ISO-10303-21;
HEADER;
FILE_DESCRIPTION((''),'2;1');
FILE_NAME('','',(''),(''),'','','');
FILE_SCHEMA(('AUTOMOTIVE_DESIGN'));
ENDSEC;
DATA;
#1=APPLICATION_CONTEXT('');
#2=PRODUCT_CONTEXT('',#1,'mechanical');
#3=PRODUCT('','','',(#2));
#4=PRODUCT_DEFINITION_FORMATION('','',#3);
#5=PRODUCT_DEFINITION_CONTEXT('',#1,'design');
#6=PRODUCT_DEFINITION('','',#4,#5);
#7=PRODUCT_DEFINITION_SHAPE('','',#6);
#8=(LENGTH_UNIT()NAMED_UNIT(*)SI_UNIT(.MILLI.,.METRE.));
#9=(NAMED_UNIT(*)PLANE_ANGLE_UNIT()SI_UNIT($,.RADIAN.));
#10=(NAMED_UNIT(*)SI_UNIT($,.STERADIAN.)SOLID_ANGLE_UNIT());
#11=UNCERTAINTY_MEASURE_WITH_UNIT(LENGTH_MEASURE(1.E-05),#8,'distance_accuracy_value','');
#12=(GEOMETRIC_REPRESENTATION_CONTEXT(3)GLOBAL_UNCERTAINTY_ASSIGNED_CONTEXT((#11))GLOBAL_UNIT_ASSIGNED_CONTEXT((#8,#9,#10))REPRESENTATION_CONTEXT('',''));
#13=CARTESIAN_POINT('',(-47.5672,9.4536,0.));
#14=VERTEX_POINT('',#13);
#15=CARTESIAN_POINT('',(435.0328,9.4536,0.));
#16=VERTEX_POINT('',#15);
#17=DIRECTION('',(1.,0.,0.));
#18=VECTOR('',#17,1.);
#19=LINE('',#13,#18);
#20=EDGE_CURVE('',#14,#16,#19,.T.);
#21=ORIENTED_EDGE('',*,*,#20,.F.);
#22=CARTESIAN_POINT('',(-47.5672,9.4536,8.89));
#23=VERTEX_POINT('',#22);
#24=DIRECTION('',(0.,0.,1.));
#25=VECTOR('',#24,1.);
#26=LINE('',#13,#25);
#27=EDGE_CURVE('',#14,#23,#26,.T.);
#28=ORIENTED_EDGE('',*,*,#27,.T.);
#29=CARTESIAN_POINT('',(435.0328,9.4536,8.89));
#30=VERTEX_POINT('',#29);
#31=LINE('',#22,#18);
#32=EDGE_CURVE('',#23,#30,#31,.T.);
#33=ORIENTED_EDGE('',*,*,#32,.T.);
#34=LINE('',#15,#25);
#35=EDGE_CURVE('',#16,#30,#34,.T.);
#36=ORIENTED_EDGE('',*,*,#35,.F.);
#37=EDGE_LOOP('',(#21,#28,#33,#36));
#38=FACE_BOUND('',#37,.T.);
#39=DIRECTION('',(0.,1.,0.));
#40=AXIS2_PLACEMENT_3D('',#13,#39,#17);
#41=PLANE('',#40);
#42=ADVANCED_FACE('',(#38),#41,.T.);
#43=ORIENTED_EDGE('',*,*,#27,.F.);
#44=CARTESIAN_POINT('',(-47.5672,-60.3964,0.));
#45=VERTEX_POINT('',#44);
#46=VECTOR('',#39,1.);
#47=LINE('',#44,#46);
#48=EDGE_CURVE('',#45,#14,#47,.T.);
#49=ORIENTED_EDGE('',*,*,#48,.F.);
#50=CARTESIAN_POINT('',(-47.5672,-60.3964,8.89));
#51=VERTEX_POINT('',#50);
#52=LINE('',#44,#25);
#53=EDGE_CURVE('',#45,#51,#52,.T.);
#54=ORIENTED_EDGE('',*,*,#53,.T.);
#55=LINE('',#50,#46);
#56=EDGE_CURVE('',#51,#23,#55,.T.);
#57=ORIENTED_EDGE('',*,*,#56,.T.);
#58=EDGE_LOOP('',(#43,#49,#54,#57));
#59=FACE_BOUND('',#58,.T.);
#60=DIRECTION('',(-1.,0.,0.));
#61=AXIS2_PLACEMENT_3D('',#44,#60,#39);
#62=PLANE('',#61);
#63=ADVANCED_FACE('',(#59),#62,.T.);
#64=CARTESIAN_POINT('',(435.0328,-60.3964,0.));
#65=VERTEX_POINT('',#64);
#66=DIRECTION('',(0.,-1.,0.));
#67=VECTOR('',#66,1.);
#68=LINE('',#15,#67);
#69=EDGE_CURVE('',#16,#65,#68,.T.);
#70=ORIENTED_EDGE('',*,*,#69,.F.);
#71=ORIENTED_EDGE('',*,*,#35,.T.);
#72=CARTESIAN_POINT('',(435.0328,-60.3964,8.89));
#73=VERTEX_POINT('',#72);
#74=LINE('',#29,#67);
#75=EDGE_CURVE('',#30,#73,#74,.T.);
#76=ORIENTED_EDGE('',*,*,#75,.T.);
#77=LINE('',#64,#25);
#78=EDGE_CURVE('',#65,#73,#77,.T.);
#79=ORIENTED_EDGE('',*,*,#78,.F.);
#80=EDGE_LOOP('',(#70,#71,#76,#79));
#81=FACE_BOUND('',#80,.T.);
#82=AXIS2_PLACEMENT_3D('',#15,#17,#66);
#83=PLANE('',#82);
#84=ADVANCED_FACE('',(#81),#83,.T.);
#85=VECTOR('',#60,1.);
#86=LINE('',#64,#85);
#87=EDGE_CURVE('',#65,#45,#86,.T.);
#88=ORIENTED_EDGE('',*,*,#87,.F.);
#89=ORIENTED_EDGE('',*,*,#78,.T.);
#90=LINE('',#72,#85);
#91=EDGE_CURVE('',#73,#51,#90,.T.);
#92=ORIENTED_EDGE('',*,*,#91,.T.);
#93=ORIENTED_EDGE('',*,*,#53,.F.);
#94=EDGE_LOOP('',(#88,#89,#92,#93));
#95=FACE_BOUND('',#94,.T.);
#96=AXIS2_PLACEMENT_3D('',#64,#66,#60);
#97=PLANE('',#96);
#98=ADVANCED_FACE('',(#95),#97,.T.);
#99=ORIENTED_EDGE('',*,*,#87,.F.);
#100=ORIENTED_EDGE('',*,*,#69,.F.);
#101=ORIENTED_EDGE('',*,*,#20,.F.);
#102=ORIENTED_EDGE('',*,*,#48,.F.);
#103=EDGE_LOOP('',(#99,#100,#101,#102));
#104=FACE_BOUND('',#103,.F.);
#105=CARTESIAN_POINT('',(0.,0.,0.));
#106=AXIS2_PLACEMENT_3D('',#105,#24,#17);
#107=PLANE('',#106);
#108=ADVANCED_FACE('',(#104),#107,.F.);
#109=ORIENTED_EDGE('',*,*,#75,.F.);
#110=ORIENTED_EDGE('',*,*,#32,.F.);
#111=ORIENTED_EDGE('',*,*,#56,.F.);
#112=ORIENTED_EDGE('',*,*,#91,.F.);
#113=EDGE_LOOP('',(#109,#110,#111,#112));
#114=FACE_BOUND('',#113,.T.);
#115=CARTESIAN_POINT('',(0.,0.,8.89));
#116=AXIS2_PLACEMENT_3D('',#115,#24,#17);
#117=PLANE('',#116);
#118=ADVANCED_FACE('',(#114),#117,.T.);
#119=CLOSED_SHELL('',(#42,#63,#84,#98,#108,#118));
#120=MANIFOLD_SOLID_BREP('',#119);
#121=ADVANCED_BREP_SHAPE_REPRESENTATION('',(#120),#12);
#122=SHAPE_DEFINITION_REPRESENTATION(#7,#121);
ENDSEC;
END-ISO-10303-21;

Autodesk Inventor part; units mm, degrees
ref_plane "YZ Plane" through (0, 0, 0) normal (1, 0, 0) x (0, 1, 0)
ref_plane "XZ Plane" through (0, 0, 0) normal (0, 1, 0) x (-1, 0, 0)
ref_plane "XY Plane" through (0, 0, 0) normal (0, 0, 1) x (1, 0, 0)
sketch "Sketch1" plane through (0, 0, 0) normal (0, 0, 1) x (1, 0, 0)
  line L0 (-47.5672, 9.4536) -> (435.0328, 9.4536)
  line L1 (435.0328, 9.4536) -> (435.0328, -60.3964)
  line L2 (435.0328, -60.3964) -> (-47.5672, -60.3964)
  line L3 (-47.5672, -60.3964) -> (-47.5672, 9.4536)
  point P0 (0, 0)
  dimension "d0" = 482.6
  dimension "d1" = 69.85
extrude "Extrusion1" add sketch "Sketch1" along normal blind 8.89
sketch "Sketch2" plane through (0, 0, 8.89) normal (0, 0, 1) x (1, 0, 0)
  line L0 (435.0328, 9.4536) -> (-47.5672, 9.4536) projected
  line L1 (-47.5672, 9.4536) -> (435.0328, 9.4536)
  line L2 (-48.1454, -60.3964) -> (435.0328, -60.3964)
  line L3 (435.0328, -60.3964) -> (435.0328, 12.6286)
  line L4 (435.0328, 12.6286) -> (-48.1454, 12.6286)
  line L5 (-48.1454, 12.6286) -> (-48.1454, -60.3964)
  line L6 (-47.5672, -60.3964) -> (435.0328, -60.3964) projected
  line L7 (-54.4954, 9.4536) -> (440.8046, 9.4536)
  line L8 (440.8046, 9.4536) -> (440.8046, 98.3536)
  line L9 (440.8046, 98.3536) -> (-54.4954, 98.3536)
  line L10 (-54.4954, 98.3536) -> (-54.4954, 9.4536)
  point P0 (0, 0)
  dimension "d6" = 0
  dimension "d7" = 3.175
  dimension "d8" = 495.3
  dimension "d9" = 88.9
  dimension "d10" = 6.35
sketch "Sketch3" plane through (0, 0, 8.89) normal (0, 0, 1) x (1, 0, 0)
  line L0 (-47.5672, -60.3964) -> (435.0328, -60.3964) projected
  line L1 (435.0328, -60.3964) -> (435.0328, 9.4536) projected
  line L2 (435.0328, 9.4536) -> (-47.5672, 9.4536) projected
  line L3 (-47.5672, 9.4536) -> (-47.5672, -60.3964) projected
  line L4 (440.8046, 9.4536) -> (440.8046, 98.3536) projected
  line L5 (440.8046, 98.3536) -> (-54.4954, 98.3536) projected
  point P0 (0, 0)
  dimension "d11" = 5.7717
  dimension "d12" = 69.85
